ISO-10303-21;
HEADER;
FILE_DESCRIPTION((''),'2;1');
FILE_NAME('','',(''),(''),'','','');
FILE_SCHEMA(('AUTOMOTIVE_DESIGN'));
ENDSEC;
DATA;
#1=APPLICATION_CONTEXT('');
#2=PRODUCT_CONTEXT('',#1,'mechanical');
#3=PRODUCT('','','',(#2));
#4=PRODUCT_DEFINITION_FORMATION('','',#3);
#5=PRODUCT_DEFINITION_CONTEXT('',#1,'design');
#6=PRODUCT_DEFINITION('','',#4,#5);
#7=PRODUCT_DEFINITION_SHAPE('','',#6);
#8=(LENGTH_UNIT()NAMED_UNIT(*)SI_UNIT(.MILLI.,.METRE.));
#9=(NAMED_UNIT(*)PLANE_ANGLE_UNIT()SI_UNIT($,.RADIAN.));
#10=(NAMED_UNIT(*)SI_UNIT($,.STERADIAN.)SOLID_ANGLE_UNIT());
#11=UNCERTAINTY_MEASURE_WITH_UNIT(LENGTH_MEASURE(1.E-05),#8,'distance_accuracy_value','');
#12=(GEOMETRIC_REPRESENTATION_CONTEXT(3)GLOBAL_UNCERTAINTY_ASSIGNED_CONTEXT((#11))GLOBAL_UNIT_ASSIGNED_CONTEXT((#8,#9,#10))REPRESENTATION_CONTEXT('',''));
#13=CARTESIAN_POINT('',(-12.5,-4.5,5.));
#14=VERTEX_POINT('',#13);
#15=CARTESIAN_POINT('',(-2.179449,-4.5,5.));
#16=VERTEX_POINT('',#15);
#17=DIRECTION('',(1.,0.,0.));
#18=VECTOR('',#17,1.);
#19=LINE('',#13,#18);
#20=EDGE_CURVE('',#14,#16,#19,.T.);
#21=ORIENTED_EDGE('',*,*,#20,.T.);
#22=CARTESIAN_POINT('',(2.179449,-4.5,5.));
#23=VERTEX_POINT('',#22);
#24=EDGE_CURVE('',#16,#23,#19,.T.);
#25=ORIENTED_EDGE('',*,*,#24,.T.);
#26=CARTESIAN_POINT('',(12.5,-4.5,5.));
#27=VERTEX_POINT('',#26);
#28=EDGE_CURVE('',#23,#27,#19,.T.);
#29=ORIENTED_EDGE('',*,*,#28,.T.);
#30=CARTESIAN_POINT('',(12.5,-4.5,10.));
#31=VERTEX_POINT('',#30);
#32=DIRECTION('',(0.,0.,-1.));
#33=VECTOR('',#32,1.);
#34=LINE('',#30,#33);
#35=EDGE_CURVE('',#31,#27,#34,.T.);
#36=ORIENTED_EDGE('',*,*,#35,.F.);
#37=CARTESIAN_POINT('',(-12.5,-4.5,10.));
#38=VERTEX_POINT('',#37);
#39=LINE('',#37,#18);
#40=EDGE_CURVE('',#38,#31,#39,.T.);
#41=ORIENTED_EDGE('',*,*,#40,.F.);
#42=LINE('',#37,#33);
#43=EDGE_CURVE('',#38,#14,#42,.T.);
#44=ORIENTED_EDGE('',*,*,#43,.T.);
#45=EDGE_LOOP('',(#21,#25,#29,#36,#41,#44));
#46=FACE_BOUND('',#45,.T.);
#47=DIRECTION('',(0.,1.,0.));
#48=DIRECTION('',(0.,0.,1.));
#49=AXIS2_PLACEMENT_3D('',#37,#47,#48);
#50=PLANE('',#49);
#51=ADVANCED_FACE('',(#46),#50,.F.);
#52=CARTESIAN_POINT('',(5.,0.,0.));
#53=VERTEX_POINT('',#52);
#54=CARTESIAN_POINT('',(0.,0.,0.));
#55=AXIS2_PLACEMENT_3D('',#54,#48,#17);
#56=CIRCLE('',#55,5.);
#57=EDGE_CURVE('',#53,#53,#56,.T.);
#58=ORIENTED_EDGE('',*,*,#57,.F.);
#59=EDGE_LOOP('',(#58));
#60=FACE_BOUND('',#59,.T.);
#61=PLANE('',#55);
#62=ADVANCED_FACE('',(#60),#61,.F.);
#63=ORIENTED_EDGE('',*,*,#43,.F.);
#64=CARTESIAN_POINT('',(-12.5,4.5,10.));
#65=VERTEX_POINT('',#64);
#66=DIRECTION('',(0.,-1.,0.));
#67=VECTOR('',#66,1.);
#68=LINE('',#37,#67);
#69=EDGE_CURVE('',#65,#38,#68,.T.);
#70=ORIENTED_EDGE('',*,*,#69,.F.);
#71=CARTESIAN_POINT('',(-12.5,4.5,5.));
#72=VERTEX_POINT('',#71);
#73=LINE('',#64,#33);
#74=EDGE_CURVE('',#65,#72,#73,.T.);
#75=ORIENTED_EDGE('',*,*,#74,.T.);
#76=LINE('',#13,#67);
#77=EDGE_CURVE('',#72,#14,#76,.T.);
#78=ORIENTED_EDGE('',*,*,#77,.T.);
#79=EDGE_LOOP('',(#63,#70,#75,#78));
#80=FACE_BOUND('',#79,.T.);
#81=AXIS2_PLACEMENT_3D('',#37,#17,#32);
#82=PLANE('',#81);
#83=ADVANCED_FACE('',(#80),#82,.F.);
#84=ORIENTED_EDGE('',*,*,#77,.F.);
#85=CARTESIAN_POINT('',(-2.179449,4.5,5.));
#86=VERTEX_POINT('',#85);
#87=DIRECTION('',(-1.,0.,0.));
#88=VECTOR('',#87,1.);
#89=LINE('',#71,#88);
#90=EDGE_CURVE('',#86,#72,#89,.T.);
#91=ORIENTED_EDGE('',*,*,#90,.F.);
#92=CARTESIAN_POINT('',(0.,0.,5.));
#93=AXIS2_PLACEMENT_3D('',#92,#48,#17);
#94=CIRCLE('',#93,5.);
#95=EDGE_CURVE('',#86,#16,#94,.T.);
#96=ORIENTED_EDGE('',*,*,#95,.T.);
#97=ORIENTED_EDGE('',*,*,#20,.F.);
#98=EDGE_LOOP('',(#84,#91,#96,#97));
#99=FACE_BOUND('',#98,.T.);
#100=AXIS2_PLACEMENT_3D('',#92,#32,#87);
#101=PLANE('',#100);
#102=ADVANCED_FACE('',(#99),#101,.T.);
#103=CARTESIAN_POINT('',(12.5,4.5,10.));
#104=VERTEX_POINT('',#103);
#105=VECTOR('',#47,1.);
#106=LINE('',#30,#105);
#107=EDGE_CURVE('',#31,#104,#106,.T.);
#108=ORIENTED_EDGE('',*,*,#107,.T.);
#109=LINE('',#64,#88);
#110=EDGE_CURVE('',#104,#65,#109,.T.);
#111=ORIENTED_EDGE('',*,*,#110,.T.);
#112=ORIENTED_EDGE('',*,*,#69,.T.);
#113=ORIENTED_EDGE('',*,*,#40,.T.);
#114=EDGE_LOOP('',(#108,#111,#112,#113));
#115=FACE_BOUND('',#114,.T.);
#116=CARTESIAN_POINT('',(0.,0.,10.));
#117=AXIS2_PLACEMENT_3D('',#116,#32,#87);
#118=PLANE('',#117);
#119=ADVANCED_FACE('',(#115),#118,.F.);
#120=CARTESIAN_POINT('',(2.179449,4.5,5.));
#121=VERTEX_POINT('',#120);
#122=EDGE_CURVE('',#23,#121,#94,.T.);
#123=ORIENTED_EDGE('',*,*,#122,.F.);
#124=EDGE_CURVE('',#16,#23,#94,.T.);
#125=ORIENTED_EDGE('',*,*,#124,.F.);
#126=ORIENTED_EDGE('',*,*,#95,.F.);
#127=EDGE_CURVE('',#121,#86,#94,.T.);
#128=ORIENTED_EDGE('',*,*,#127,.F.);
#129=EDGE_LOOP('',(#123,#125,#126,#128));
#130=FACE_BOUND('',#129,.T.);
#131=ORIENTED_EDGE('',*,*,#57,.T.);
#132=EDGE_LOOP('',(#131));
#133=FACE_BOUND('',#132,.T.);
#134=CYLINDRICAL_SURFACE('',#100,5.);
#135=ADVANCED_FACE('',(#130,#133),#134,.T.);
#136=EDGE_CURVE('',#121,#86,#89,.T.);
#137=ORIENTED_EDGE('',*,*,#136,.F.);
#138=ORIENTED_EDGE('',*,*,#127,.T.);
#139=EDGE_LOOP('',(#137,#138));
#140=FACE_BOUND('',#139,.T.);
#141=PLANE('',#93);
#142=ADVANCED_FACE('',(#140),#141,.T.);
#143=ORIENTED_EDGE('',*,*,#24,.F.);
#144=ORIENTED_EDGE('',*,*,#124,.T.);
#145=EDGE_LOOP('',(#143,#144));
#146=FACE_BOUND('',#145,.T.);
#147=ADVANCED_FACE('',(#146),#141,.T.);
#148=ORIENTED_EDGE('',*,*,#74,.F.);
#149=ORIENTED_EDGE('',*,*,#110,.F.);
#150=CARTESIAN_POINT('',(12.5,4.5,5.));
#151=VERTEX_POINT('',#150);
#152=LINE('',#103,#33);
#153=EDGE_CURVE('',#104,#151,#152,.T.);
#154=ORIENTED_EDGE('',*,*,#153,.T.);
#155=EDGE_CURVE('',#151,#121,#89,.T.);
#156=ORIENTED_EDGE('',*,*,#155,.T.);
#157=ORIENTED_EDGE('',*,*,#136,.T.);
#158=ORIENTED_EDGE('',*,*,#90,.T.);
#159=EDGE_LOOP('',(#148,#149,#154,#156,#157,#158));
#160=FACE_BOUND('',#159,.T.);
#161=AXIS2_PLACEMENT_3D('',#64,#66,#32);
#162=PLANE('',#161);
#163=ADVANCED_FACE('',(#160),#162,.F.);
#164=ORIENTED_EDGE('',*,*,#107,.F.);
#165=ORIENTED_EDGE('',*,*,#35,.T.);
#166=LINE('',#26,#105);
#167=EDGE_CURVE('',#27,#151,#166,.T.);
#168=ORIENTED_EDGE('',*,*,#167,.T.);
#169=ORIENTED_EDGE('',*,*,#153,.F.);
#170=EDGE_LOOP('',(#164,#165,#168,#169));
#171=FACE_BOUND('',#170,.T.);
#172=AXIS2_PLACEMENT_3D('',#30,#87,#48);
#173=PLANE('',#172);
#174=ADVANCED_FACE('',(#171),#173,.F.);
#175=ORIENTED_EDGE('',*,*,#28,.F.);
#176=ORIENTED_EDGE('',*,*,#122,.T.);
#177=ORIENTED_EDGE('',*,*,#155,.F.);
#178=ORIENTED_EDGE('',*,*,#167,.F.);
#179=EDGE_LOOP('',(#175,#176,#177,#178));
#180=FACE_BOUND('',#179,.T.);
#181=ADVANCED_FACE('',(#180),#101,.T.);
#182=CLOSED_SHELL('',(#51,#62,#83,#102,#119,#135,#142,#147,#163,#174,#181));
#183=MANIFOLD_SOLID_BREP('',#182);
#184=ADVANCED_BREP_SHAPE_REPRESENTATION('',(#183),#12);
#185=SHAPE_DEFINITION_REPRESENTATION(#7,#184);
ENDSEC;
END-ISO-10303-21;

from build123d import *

# Parameters (mm, degrees)
SKETCH1_R           = 5
BOSS_EXTRUDE1_DEPTH = 5
SKETCH2_W           = 25
SKETCH2_H           = 9
BOSS_EXTRUDE2_DEPTH = 5


with BuildPart() as part:
    # Sketch1 → Boss-Extrude1 (new body)
    with BuildSketch(Plane.XY):
        Circle(SKETCH1_R)
    extrude(amount=BOSS_EXTRUDE1_DEPTH)

    # Sketch2 → Boss-Extrude2 (add)
    with BuildSketch(Plane.XY.offset(5)):
        Rectangle(SKETCH2_W, SKETCH2_H)
    extrude(amount=BOSS_EXTRUDE2_DEPTH)


solid = part.part
